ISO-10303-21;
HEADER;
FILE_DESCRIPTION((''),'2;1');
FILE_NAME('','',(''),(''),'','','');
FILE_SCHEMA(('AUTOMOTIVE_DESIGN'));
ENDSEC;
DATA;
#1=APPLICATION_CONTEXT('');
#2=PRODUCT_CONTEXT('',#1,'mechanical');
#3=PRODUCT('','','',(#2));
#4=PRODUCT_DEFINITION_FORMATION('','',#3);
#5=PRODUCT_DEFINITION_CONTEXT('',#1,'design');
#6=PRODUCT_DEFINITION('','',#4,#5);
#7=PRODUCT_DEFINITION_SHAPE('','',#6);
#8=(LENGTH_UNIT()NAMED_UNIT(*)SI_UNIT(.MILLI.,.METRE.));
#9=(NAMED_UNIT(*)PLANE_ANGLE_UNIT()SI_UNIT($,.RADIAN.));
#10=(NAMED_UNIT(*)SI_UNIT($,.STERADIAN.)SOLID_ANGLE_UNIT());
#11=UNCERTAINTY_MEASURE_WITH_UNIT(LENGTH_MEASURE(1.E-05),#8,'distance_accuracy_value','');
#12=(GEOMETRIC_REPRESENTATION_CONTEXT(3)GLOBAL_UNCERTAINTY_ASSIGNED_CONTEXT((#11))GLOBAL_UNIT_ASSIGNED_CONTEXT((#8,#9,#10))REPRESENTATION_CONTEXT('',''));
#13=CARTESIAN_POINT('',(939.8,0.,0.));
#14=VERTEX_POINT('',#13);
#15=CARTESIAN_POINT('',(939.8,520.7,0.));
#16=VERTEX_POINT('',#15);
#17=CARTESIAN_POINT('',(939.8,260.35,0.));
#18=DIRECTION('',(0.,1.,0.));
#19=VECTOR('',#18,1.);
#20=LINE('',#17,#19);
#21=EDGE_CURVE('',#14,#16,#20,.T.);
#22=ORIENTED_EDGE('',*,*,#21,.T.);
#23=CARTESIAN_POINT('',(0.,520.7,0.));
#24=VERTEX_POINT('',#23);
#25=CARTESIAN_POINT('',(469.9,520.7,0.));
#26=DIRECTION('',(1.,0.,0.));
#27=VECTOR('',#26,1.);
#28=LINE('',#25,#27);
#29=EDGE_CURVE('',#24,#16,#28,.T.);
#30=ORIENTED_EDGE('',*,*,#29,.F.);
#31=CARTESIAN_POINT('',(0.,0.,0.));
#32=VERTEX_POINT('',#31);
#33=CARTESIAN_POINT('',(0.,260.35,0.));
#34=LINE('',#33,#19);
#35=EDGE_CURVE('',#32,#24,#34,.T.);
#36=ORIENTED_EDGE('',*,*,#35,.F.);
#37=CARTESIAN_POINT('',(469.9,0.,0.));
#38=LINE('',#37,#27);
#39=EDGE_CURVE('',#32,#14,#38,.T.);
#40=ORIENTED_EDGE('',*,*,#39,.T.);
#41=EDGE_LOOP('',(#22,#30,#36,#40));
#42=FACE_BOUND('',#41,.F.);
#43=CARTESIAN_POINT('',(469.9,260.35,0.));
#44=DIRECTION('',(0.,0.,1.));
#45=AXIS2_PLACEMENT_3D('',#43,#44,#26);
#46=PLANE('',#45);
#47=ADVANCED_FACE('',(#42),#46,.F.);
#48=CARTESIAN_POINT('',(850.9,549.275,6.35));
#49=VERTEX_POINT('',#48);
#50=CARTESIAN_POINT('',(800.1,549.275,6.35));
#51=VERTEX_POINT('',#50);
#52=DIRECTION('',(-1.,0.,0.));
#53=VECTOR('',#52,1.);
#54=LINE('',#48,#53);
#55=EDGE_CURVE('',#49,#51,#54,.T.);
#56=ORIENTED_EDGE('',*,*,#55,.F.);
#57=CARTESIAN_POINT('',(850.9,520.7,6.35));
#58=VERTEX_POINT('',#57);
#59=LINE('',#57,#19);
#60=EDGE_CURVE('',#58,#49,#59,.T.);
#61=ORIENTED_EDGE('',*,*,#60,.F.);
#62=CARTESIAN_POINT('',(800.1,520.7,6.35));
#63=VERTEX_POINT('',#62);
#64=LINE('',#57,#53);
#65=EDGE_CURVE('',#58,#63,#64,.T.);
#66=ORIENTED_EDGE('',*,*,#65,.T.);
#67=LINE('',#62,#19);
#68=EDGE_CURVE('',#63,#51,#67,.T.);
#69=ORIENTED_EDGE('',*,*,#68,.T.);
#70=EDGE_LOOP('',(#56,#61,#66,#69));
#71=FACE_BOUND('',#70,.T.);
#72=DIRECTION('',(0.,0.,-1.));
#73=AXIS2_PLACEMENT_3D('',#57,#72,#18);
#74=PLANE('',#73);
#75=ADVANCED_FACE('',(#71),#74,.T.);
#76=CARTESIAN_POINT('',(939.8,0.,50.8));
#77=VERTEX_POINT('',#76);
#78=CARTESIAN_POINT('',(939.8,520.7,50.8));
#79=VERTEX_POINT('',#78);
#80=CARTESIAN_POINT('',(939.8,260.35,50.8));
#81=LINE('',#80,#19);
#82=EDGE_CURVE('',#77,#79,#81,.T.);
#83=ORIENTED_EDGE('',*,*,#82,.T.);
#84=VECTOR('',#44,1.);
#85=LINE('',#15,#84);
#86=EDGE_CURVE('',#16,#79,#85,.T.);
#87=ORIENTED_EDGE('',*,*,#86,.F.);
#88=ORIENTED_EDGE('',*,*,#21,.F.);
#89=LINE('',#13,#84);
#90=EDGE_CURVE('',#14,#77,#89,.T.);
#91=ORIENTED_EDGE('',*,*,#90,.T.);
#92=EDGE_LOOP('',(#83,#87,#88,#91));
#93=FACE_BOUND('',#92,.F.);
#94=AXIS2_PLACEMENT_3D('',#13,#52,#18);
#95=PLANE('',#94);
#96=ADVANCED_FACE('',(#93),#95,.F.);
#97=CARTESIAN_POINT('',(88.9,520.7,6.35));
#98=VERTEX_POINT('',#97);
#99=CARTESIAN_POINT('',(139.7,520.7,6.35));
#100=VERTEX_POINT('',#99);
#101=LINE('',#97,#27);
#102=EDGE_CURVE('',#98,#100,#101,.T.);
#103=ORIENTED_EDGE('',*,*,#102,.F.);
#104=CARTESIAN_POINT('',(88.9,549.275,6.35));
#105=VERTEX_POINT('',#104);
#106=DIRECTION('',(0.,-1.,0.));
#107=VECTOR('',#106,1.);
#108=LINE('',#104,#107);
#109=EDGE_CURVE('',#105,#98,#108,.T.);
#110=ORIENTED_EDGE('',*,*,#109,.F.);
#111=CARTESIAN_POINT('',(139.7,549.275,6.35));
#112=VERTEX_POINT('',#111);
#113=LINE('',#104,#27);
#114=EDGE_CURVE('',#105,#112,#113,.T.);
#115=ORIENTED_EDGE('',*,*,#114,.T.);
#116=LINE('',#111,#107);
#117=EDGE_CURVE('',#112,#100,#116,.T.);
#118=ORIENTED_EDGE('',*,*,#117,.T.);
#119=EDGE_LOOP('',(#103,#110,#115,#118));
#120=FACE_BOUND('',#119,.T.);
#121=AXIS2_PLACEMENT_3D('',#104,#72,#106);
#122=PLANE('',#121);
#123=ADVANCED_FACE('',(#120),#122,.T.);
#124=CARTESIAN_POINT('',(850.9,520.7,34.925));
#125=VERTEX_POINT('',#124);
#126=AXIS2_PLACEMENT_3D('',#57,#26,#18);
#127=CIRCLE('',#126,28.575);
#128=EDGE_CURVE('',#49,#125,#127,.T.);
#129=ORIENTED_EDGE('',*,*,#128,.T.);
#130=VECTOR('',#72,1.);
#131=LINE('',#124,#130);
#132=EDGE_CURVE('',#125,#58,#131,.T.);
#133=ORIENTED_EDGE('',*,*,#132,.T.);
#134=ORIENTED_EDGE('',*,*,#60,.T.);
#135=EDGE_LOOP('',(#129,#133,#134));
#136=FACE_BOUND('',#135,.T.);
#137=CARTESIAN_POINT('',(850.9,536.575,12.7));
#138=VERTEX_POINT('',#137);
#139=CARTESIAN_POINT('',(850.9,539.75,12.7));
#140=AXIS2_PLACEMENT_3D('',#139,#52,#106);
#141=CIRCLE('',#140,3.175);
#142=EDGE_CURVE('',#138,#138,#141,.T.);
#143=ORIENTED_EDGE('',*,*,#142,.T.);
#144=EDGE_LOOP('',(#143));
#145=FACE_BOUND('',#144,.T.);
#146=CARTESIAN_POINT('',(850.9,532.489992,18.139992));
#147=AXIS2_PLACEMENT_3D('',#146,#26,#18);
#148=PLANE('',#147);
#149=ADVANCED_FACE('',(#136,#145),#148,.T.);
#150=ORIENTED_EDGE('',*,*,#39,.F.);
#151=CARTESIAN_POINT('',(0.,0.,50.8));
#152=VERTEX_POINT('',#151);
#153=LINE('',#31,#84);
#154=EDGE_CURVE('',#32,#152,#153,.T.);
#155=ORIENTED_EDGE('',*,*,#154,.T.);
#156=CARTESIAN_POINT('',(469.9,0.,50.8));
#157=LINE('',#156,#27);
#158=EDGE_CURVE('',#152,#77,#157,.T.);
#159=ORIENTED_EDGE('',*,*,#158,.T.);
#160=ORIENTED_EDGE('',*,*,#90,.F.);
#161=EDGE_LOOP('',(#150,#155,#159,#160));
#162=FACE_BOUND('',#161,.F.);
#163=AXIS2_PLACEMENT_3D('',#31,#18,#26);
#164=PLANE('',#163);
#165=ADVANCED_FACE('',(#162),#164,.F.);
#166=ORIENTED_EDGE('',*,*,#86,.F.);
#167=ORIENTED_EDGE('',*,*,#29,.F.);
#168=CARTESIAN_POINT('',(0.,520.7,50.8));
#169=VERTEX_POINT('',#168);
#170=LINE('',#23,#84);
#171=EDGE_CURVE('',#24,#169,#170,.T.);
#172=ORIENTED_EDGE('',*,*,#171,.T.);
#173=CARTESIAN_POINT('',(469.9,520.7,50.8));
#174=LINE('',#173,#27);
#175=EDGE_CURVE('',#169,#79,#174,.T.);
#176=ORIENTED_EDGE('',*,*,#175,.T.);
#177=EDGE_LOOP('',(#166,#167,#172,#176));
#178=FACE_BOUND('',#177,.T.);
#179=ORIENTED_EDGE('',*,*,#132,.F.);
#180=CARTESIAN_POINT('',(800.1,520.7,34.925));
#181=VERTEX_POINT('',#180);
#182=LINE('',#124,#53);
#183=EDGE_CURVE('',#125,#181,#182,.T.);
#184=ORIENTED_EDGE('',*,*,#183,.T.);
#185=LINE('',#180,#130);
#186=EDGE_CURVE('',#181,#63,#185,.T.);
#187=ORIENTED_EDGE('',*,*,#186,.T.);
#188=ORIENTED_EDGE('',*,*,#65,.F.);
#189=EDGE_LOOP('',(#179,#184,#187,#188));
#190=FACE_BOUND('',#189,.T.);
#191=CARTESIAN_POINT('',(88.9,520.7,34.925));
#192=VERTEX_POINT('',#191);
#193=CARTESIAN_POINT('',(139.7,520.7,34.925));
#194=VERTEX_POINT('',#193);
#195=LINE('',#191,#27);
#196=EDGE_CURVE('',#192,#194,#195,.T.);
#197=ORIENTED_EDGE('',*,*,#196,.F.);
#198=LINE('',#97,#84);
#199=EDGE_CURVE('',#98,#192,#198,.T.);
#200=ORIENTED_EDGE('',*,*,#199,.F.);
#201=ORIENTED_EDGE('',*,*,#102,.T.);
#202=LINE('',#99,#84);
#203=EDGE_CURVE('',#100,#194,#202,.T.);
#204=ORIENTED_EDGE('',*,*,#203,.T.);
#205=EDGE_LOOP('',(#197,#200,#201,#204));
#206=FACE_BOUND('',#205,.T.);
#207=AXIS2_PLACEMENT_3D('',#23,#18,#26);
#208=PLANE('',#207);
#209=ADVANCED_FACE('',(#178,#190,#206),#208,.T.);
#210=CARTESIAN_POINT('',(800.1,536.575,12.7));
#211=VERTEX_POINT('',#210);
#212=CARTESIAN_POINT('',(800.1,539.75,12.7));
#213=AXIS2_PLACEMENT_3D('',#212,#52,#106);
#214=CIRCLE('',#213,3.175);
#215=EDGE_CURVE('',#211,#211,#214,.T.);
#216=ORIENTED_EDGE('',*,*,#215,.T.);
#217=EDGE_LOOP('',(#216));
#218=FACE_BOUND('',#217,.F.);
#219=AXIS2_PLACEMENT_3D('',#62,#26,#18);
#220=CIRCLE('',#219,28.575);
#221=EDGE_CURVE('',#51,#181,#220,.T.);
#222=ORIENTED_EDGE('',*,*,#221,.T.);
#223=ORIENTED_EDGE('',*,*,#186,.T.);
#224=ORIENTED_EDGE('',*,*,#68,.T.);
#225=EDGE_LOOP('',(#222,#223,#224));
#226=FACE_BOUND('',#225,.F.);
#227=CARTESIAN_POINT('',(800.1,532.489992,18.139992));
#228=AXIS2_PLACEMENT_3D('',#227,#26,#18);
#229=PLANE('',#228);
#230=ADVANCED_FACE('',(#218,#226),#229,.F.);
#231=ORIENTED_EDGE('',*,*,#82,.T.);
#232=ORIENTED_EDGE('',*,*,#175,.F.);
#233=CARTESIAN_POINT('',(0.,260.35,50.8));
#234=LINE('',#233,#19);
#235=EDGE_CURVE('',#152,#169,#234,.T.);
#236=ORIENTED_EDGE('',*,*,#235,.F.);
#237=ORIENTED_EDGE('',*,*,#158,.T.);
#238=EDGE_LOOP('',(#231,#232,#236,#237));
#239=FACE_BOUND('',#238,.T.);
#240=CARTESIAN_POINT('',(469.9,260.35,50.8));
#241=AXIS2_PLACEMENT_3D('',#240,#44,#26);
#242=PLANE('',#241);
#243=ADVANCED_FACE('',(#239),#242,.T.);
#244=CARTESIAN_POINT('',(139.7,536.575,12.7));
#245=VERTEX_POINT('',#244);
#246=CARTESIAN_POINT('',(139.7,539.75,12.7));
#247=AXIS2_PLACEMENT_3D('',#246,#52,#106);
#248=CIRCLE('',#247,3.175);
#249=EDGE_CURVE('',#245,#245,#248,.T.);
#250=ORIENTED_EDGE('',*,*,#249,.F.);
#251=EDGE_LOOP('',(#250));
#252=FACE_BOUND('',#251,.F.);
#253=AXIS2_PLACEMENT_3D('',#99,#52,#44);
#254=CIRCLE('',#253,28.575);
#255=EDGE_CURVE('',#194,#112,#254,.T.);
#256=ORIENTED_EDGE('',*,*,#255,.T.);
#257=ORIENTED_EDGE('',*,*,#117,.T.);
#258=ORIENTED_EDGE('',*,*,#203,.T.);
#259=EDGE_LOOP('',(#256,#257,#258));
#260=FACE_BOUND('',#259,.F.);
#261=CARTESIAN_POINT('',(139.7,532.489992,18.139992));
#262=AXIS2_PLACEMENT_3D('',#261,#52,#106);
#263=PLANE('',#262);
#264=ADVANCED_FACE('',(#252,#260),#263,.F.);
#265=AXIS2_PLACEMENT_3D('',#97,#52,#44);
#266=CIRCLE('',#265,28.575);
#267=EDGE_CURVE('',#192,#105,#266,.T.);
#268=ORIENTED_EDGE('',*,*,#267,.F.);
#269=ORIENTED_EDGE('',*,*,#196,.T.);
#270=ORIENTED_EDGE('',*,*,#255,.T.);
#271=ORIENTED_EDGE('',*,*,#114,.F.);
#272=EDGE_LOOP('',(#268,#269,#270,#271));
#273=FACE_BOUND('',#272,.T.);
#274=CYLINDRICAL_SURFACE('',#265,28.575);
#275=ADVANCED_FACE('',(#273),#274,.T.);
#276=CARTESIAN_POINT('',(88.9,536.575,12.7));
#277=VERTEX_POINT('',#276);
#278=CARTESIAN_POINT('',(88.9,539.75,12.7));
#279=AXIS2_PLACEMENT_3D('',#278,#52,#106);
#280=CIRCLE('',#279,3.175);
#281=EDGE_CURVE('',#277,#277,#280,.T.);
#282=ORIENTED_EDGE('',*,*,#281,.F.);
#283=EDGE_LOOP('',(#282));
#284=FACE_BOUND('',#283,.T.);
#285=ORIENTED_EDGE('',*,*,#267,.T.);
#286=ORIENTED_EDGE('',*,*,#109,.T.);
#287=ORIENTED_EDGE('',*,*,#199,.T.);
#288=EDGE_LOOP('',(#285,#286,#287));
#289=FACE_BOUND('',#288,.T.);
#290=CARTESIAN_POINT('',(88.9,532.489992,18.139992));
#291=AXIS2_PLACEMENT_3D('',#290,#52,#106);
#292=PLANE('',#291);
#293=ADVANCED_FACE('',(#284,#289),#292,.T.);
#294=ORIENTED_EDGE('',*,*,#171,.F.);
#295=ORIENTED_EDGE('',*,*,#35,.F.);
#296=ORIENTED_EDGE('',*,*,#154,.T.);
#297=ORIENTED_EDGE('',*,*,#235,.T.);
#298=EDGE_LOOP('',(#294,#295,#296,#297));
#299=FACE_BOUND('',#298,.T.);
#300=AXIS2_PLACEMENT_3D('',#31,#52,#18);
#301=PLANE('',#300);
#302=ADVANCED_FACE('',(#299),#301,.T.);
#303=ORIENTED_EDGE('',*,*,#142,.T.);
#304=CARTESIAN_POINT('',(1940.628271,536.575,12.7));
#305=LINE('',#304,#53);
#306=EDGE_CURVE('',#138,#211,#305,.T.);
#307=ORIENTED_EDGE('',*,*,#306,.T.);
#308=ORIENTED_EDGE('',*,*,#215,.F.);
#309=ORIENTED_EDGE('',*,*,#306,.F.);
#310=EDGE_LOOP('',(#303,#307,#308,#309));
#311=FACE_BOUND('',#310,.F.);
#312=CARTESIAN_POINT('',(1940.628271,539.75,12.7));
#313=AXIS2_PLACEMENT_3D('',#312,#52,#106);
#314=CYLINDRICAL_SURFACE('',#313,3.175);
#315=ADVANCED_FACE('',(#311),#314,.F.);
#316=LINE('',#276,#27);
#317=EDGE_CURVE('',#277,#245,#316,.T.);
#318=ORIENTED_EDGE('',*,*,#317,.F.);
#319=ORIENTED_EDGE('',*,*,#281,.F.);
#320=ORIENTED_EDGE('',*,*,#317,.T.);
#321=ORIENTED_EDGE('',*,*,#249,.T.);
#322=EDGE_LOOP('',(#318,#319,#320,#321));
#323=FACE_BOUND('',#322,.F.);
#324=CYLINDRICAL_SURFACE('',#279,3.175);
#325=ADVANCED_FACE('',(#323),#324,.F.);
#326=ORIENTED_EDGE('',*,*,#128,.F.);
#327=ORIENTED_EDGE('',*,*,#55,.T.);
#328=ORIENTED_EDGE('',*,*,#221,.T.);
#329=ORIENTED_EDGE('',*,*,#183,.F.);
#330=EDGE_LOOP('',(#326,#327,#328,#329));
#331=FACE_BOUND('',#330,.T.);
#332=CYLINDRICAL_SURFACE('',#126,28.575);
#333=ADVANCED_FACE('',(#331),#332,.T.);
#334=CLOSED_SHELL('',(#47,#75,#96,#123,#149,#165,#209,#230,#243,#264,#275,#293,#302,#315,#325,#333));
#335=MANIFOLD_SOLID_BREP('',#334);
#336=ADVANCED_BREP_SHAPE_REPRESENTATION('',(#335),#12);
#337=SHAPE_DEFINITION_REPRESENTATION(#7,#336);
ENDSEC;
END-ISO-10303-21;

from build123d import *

# Parameters (mm, degrees)
F0_W     = 939.8
F0_H     = 520.7
F1_DEPTH = 50.8
F4_DEPTH = 50.8
F5_D     = 6.35
F7_R     = 3.175
F8_DEPTH = 50.8


with BuildPart() as f1:
    # F0 (on Top) → F1 (new body)
    with BuildSketch(Plane.XY):
        with Locations((469.9, 260.35)):
            Rectangle(F0_W, F0_H)
    extrude(amount=F1_DEPTH)

    # F3 (on offset) → F4 (join)
    with BuildSketch(Plane.YZ.offset(850.9)):
        with BuildLine():
            ThreePointArc((549.275, 6.35), (540.9055762724, 26.5555762724), (520.7, 34.925))
            Line((520.7, 34.925), (520.7, 6.35))
            Line((520.7, 6.35), (549.275, 6.35))
        make_face()
    extrude(amount=-F4_DEPTH)

    # F5 (through all)
    with Locations(Plane.YZ.offset(850.9)):
        with Locations((539.75, 12.7)):
            Hole(F5_D / 2)

    # F7 (on offset) → F8 (join)
    with BuildSketch(Plane(origin=(88.9, 0, 0), x_dir=(0, -1, 0), z_dir=(-1, 0, 0))):
        with BuildLine():
            ThreePointArc((-520.7, 34.925), (-540.9055762724, 26.5555762724), (-549.275, 6.35))
            Line((-549.275, 6.35), (-520.7, 6.35))
            Line((-520.7, 6.35), (-520.7, 34.925))
        make_face()
        with Locations((-539.75, 12.7)):
            Circle(F7_R, mode=Mode.SUBTRACT)
    extrude(amount=-F8_DEPTH)


solid = f1.part
